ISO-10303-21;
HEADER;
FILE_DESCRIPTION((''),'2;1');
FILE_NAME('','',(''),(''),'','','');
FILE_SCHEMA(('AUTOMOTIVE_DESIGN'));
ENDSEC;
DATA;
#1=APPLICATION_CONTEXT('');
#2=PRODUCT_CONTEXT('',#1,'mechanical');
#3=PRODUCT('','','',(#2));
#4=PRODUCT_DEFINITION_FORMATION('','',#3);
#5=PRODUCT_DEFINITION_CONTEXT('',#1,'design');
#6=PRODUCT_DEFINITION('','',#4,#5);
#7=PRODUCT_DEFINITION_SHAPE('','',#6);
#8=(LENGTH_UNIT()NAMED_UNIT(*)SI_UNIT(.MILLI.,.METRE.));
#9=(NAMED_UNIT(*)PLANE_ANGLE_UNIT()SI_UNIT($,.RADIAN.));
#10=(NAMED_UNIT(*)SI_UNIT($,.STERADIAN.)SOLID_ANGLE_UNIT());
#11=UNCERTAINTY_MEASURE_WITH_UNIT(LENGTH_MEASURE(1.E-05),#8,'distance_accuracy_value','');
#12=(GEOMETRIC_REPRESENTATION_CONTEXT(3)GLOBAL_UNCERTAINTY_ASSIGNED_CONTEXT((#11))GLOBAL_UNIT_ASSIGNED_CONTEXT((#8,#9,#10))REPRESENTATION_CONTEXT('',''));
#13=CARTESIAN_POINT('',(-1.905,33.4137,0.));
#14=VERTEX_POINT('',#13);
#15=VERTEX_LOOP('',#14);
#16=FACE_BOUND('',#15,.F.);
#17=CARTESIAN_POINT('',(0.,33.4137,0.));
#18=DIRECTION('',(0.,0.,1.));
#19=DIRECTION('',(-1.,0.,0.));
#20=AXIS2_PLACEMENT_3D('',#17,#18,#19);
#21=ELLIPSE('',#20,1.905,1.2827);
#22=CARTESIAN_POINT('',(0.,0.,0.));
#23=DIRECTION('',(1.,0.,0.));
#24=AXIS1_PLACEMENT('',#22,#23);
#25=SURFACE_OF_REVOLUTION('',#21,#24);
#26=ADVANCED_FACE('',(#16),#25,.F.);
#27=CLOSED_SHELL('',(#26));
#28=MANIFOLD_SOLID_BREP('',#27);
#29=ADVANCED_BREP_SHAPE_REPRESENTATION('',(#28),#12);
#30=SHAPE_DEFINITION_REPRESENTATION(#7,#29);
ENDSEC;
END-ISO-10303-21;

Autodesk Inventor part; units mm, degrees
ref_plane "YZ Plane" through (0, 0, 0) normal (1, 0, 0) x (0, 1, 0)
ref_plane "XZ Plane" through (0, 0, 0) normal (0, 1, 0) x (-1, 0, 0)
ref_plane "XY Plane" through (0, 0, 0) normal (0, 0, 1) x (1, 0, 0)
sketch "Sketch1" plane through (0, 0, 0) normal (0, 0, 1) x (1, 0, 0)
  ellipse E0 centre (0, 33.4137) end of major axis (-1.905, 33.4137) minor radius 1.2827
  line L0 (0, 33.4137) -> (0, 34.6964) construction
  line L1 (0, 33.4137) -> (1.905, 33.4137) construction
  line L2 (0, 0) -> (7.8046, 0) construction
  dimension "d0" = 1.2827
  dimension "d1" = 33.4137
  dimension "d2" = 1.905
revolve "Revolution1" add sketch "Sketch1" angle 360 about axis through (0, 0, 0) along (1, 0, 0)
properties part number "ORingA70_2.484ID_2.762OD_Compressed" material "Rubber, Nitrile"
